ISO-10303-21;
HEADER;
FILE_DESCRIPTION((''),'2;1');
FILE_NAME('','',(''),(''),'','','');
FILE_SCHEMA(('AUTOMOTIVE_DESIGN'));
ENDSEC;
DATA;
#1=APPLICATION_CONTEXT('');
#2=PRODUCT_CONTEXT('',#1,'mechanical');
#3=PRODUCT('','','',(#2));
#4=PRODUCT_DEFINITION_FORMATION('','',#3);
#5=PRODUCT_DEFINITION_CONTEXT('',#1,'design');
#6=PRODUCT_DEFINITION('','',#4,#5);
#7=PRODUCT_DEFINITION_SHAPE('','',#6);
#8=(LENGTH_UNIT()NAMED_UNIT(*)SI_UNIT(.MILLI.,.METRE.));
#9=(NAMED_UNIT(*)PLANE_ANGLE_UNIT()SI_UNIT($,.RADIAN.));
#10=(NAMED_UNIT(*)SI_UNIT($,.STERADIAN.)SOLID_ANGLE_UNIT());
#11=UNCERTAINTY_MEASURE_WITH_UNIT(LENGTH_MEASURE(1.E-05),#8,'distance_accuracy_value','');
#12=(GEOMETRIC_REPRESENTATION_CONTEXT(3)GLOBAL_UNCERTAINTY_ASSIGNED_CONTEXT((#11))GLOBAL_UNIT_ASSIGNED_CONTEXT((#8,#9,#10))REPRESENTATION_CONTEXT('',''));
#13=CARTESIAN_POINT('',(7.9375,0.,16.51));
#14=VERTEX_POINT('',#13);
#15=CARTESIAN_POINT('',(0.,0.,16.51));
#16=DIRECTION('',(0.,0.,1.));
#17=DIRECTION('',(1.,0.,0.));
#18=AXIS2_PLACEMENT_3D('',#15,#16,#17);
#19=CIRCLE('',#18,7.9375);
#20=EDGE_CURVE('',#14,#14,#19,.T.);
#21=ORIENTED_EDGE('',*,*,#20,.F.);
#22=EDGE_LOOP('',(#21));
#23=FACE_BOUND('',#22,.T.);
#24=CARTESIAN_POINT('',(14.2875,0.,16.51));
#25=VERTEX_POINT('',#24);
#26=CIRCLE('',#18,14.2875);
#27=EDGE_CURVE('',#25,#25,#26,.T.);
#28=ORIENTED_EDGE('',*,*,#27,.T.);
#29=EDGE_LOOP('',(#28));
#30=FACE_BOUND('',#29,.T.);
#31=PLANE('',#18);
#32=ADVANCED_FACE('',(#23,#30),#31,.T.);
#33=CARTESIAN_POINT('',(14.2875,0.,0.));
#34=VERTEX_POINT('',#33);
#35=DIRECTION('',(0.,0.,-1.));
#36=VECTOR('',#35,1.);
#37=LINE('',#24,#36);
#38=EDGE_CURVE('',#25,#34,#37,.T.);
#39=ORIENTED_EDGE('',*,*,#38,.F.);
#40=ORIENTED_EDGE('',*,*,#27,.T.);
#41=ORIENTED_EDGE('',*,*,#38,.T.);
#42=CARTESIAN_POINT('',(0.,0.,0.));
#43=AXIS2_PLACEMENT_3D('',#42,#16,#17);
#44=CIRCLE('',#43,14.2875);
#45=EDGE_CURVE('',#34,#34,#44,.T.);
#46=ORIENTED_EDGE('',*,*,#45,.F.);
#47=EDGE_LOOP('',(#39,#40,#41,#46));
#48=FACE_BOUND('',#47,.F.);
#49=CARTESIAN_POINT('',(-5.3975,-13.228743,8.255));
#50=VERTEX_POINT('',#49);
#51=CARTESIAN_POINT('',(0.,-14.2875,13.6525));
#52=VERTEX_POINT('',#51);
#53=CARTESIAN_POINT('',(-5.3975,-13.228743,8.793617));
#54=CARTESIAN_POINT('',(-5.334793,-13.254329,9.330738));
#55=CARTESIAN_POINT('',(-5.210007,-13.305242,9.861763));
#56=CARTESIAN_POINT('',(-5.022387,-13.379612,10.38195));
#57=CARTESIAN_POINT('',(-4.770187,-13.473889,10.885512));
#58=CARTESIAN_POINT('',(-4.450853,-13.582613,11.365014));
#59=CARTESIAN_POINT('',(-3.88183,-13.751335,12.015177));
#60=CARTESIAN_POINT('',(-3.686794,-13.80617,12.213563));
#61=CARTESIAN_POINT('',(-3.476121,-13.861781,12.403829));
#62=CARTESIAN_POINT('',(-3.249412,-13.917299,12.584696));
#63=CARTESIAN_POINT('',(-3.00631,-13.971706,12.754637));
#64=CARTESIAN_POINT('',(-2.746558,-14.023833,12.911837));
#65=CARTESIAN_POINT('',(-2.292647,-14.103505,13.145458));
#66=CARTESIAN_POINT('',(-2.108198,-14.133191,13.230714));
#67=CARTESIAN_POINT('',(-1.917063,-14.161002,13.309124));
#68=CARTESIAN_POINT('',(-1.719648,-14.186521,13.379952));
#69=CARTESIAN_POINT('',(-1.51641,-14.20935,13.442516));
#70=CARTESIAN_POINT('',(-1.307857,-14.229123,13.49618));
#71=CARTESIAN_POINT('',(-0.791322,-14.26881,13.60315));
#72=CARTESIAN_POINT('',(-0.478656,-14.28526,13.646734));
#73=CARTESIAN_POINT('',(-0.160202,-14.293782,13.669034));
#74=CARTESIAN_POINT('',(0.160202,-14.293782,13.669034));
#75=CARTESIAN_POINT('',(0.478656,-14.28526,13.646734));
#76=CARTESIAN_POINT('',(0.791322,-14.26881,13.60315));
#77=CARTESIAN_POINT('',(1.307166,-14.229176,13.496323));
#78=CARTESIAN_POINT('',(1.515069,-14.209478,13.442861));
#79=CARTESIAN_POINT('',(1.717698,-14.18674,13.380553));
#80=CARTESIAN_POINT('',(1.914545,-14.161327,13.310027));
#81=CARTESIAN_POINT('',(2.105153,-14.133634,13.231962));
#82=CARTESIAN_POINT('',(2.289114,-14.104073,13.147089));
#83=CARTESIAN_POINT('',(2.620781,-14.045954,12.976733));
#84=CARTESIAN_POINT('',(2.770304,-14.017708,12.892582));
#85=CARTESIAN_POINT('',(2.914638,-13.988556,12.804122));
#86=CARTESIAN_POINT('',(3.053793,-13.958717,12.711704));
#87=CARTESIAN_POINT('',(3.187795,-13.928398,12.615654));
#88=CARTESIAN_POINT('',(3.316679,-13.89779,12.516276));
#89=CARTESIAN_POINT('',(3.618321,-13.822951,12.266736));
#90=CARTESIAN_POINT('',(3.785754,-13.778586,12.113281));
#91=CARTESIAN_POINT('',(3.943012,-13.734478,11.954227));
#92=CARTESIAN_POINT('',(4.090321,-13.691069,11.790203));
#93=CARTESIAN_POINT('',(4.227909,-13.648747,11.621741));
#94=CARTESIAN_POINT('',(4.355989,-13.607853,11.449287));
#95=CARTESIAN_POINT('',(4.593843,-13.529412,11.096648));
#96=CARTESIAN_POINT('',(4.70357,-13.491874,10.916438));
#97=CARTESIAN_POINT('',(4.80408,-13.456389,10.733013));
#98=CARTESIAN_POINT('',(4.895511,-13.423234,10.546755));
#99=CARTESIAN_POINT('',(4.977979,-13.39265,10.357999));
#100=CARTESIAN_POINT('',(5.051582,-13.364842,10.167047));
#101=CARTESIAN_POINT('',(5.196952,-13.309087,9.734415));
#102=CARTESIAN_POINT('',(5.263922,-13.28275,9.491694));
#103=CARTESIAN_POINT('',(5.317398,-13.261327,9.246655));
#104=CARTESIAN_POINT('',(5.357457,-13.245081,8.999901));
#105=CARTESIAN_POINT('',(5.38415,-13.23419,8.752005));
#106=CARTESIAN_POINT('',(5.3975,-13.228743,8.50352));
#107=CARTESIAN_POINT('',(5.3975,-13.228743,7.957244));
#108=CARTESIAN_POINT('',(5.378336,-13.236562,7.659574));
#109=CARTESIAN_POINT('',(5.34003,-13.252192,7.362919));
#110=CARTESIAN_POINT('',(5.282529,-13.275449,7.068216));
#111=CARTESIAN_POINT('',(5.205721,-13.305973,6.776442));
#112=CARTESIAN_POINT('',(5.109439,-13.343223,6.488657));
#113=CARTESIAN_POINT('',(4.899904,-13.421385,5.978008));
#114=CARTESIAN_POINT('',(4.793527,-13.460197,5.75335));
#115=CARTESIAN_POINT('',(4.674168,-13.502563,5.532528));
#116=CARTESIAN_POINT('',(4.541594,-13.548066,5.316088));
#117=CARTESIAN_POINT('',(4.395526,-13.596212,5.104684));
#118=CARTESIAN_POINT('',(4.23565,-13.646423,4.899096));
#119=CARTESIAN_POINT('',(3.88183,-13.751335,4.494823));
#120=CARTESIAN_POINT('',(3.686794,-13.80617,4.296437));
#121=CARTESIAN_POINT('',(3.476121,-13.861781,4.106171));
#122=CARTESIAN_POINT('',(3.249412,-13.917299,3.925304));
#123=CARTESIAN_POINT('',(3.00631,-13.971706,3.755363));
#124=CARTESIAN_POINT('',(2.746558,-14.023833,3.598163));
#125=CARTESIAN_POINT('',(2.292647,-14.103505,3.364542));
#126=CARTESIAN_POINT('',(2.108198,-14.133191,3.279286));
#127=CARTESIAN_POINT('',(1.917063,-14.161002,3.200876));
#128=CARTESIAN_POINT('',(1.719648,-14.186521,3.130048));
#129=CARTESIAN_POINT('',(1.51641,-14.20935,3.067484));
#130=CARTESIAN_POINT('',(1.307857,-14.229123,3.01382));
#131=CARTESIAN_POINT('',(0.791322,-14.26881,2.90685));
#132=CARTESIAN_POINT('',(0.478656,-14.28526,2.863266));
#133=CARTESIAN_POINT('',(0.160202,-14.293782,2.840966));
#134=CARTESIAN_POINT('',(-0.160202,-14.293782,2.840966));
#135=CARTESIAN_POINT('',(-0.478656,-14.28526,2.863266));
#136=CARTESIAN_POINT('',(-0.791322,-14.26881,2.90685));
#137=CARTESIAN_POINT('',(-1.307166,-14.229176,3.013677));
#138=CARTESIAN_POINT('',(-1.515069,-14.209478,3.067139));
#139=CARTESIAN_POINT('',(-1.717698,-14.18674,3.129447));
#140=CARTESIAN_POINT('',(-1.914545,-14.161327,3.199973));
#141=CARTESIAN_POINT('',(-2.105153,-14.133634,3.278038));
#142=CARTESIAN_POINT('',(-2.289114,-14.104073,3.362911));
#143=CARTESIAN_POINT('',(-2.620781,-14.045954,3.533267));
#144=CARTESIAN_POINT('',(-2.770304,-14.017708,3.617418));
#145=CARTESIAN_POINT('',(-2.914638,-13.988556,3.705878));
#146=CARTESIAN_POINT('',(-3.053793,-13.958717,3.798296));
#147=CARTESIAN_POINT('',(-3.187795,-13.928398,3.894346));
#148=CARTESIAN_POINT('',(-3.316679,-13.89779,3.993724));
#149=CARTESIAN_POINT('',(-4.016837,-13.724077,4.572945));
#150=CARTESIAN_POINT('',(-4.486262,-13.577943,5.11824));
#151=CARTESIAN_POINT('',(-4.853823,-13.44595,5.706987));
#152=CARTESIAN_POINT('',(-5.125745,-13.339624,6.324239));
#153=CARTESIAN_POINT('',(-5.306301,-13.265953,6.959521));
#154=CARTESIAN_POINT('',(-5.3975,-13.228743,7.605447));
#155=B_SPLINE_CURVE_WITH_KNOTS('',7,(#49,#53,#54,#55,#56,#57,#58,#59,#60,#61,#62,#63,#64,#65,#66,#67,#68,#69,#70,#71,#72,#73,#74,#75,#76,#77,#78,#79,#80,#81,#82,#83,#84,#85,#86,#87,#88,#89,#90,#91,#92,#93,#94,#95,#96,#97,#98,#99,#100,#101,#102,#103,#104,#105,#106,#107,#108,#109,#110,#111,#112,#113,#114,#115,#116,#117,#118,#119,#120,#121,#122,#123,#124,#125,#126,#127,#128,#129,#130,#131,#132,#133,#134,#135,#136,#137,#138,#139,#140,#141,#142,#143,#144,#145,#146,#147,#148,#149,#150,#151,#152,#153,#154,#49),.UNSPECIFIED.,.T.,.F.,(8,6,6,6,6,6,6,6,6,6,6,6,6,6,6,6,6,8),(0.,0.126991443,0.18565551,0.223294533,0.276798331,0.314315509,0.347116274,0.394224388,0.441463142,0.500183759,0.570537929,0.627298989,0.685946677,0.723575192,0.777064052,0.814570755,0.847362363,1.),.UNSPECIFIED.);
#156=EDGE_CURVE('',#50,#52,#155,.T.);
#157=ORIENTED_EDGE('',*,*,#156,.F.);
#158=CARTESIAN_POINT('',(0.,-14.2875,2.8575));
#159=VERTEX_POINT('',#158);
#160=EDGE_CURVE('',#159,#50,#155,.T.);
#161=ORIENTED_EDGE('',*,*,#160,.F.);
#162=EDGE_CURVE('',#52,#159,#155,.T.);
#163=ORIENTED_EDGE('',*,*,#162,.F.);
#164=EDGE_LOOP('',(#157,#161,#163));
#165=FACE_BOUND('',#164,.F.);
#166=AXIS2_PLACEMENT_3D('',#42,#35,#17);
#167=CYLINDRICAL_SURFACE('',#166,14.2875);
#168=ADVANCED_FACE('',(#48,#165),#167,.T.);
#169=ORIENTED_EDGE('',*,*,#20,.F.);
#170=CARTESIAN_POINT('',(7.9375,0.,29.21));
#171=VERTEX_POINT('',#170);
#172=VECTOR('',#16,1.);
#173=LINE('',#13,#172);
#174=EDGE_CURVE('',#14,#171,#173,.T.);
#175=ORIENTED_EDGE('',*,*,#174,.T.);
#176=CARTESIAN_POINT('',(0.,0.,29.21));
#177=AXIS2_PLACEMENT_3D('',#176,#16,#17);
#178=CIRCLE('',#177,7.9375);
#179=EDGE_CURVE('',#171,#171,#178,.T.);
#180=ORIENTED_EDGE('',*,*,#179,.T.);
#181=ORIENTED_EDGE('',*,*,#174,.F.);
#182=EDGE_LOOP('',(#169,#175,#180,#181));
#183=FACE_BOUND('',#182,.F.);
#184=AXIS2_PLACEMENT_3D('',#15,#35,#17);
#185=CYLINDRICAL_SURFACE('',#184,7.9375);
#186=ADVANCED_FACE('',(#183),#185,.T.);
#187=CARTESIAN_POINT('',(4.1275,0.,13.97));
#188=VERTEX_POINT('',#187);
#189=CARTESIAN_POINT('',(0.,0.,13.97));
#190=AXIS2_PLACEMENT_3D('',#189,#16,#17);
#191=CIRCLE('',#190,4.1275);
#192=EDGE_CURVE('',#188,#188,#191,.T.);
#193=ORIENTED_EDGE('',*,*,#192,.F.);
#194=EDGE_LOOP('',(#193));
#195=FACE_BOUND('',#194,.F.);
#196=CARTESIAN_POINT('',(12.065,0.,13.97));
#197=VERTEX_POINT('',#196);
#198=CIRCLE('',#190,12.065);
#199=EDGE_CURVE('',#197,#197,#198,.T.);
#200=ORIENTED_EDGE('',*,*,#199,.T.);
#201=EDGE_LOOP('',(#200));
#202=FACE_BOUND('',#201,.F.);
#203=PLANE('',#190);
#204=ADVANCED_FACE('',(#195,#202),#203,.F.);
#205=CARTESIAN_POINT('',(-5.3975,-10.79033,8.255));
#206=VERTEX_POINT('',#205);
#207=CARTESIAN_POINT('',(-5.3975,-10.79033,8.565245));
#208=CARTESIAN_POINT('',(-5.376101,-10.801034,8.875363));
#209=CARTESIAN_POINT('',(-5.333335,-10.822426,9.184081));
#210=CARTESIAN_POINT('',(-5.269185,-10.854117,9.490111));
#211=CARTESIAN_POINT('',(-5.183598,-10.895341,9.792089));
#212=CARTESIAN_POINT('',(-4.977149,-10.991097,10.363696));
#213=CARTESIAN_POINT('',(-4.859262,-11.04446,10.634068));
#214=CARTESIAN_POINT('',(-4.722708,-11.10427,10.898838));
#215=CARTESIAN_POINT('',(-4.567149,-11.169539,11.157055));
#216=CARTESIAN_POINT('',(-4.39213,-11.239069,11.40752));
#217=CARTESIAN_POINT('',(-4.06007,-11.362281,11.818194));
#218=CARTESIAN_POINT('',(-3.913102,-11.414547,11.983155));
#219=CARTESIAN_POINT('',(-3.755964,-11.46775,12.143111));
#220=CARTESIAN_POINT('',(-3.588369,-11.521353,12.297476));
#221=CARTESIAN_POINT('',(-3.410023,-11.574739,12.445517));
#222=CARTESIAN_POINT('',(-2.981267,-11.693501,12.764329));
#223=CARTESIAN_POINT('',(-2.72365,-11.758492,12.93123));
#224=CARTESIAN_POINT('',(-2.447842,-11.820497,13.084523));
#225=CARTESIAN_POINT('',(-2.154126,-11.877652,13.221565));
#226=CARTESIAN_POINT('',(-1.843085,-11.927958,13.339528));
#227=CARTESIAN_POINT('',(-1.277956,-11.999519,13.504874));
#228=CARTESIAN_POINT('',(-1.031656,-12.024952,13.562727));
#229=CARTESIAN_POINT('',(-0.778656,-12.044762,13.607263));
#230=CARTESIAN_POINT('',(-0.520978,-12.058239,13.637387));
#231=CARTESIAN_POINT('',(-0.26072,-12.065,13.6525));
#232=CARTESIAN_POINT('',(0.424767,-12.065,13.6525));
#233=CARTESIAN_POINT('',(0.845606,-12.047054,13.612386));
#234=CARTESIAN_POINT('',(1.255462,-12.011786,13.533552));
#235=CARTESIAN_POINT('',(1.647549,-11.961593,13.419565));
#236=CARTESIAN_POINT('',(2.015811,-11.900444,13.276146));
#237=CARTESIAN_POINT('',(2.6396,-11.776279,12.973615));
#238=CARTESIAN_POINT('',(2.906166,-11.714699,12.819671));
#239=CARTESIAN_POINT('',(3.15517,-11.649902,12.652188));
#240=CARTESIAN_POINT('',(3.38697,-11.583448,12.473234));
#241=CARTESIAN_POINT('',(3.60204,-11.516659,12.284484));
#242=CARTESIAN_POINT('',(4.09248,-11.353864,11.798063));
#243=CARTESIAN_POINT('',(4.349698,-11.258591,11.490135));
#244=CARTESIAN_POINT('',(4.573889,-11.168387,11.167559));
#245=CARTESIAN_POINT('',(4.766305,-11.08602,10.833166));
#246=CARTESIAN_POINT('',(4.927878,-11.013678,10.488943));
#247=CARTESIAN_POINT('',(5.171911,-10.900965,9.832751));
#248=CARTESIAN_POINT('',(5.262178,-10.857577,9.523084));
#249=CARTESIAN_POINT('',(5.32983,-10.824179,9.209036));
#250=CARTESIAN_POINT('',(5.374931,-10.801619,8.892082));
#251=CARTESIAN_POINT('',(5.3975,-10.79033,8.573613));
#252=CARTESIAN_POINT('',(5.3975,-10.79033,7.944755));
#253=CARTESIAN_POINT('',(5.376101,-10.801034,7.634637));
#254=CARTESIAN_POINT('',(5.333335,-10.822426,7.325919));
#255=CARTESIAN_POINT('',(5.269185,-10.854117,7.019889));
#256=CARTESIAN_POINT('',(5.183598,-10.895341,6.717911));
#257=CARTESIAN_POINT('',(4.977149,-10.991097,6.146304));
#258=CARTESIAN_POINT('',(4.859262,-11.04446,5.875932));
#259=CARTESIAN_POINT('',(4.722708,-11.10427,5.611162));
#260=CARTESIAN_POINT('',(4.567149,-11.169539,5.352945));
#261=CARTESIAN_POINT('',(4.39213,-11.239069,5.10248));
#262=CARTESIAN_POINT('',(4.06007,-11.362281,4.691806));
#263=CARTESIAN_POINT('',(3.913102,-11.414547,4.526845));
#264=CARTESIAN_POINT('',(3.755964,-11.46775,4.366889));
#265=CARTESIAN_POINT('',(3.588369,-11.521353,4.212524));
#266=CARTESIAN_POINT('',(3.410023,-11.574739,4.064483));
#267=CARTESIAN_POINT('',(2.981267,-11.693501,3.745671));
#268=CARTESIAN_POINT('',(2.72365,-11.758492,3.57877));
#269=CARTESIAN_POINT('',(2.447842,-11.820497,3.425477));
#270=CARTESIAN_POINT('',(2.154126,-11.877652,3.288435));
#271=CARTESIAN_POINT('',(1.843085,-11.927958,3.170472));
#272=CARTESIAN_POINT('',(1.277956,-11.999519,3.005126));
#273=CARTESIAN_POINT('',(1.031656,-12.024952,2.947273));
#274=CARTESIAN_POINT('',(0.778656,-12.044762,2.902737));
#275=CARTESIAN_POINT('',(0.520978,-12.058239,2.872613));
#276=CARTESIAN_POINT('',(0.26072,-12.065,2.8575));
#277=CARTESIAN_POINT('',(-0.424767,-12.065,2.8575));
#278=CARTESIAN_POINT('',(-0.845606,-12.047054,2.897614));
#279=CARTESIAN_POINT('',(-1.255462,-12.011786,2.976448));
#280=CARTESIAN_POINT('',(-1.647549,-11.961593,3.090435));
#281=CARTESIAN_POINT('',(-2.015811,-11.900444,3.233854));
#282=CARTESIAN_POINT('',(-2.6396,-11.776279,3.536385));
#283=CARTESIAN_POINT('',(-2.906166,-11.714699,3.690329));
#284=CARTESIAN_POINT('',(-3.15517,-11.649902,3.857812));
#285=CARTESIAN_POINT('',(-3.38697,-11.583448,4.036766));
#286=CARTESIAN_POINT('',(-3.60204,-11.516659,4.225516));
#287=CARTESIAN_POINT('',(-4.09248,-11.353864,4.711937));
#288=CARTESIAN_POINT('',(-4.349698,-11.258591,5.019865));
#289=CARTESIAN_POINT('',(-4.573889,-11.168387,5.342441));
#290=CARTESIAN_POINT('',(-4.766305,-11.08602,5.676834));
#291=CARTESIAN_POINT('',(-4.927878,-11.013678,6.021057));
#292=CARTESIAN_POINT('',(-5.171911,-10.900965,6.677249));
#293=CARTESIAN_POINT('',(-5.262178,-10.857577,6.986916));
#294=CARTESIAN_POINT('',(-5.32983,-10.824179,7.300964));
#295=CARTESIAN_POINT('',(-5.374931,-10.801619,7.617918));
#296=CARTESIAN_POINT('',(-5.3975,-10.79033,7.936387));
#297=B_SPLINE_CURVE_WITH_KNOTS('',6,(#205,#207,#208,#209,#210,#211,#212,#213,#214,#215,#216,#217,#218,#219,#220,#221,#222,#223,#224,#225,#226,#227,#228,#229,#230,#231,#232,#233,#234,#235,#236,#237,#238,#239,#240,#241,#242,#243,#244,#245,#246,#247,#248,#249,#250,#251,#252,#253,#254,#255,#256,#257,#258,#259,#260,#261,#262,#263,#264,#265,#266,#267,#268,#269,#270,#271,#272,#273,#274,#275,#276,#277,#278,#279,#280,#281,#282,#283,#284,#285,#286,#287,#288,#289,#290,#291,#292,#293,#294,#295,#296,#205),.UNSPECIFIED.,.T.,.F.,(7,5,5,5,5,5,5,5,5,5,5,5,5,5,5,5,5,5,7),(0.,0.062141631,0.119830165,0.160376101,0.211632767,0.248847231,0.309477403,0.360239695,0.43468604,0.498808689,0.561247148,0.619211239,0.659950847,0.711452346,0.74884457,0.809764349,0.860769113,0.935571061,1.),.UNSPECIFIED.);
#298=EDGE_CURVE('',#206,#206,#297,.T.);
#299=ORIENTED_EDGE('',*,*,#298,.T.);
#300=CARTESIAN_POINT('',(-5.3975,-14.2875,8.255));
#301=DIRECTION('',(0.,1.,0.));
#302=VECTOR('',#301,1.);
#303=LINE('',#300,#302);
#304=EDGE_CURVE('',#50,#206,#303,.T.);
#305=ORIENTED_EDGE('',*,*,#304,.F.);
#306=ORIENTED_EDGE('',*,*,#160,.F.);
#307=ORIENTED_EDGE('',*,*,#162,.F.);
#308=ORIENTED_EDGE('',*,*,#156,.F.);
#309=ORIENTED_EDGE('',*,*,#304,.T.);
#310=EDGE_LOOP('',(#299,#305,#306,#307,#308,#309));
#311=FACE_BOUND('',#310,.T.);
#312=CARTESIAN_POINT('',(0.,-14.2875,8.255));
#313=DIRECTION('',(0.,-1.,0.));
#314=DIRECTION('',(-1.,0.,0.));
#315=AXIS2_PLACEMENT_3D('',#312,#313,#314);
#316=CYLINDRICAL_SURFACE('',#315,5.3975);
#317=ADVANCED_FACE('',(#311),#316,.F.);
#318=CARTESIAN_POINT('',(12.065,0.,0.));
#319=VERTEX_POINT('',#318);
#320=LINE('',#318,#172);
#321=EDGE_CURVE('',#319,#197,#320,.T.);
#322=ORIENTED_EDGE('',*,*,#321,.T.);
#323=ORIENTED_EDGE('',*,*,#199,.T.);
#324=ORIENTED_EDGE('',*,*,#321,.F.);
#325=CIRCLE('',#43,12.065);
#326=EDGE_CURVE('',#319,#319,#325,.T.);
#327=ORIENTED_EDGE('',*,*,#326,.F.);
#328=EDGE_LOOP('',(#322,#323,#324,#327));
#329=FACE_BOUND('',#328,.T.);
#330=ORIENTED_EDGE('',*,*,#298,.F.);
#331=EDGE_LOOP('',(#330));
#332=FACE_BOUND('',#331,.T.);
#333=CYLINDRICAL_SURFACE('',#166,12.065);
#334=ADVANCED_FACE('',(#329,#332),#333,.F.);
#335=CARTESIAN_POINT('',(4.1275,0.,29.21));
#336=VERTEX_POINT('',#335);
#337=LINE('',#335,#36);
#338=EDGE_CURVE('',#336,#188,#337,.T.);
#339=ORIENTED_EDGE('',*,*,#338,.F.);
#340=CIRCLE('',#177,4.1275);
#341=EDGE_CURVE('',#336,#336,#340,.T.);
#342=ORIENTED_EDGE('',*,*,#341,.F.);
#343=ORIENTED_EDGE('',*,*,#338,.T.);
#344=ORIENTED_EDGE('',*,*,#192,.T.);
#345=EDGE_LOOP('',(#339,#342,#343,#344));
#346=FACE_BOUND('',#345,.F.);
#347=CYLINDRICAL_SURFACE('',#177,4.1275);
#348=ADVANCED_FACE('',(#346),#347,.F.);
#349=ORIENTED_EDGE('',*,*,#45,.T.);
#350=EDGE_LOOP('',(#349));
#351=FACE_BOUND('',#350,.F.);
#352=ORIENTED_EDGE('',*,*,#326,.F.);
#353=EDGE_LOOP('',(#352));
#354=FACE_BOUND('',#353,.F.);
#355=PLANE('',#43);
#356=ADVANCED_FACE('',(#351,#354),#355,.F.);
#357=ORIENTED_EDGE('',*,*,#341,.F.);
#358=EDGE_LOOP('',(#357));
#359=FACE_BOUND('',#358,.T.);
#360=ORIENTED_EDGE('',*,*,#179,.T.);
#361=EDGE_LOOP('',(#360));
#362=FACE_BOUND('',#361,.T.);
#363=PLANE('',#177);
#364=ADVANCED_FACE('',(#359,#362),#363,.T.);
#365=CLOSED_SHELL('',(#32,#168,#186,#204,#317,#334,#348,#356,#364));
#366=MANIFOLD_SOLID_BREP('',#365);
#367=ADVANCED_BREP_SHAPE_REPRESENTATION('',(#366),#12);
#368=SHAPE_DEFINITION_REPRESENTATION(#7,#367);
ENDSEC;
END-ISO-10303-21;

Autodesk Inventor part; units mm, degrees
ref_plane "YZ Plane" through (0, 0, 0) normal (1, 0, 0) x (0, 1, 0)
ref_plane "XY Plane" through (0, 0, 0) normal (0, 0, 1) x (1, 0, 0)
sketch "Sketch1" plane through (0, 0, 0) normal (0, 0, 1) x (1, 0, 0)
  circle A0 centre (0, 0) radius 14.2875
  circle A1 centre (0, 0) radius 12.065
  dimension "d0" = 28.575
  dimension "d1" = 24.13
extrude "Extrusion1" add sketch "Sketch1" along normal blind 13.97
sketch "Sketch2" plane through (0, 0, 13.97) normal (0, 0, 1) x (1, 0, 0)
  circle A0 centre (0, 0) radius 14.2875 projected
  circle A1 centre (0, 0) radius 14.2875
extrude "Extrusion2" add sketch "Sketch2" along normal blind 2.54
sketch "Sketch3" plane through (0, 0, 16.51) normal (0, 0, 1) x (1, 0, 0)
  circle A0 centre (0, 0) radius 14.2875 projected
  circle A1 centre (0, 0) radius 7.9375
  dimension "d6" = 15.875
extrude "Extrusion3" add sketch "Sketch3" along normal blind 12.7 contours A1
thread "Thread1" size "5/8-11 UNC" class "2A" standard "ANSI Unified Screw Threads" full length
ref_plane "Work Plane1" through (0, -14.2875, 0) normal (0, 1, 0) x (-1, 0, 0)
sketch "Sketch4" plane through (0, -14.2875, 0) normal (0, 1, 0) x (-1, 0, 0)
  line L0 (-14.2875, 16.51) -> (14.2875, 16.51) projected
  line L1 (-14.2875, 0) -> (14.2875, 0) projected
  circle A0 centre (0, 8.255) radius 5.3975
  point P0 (0, 0)
  dimension "d12" = 10.795
  dimension "d13" = 8.255
extrude "Extrusion4" cut sketch "Sketch4" along normal blind 12.7
sketch "Sketch5" plane through (0, 0, 29.21) normal (0, 0, 1) x (1, 0, 0)
  circle A0 centre (0, 0) radius 7.9375 projected
  circle A1 centre (0, 0) radius 4.1275
  dimension "d16" = 8.255
extrude "Extrusion5" cut sketch "Sketch5" against normal through all contours A1
properties part number "1in Actuator Top Cap 1764"
